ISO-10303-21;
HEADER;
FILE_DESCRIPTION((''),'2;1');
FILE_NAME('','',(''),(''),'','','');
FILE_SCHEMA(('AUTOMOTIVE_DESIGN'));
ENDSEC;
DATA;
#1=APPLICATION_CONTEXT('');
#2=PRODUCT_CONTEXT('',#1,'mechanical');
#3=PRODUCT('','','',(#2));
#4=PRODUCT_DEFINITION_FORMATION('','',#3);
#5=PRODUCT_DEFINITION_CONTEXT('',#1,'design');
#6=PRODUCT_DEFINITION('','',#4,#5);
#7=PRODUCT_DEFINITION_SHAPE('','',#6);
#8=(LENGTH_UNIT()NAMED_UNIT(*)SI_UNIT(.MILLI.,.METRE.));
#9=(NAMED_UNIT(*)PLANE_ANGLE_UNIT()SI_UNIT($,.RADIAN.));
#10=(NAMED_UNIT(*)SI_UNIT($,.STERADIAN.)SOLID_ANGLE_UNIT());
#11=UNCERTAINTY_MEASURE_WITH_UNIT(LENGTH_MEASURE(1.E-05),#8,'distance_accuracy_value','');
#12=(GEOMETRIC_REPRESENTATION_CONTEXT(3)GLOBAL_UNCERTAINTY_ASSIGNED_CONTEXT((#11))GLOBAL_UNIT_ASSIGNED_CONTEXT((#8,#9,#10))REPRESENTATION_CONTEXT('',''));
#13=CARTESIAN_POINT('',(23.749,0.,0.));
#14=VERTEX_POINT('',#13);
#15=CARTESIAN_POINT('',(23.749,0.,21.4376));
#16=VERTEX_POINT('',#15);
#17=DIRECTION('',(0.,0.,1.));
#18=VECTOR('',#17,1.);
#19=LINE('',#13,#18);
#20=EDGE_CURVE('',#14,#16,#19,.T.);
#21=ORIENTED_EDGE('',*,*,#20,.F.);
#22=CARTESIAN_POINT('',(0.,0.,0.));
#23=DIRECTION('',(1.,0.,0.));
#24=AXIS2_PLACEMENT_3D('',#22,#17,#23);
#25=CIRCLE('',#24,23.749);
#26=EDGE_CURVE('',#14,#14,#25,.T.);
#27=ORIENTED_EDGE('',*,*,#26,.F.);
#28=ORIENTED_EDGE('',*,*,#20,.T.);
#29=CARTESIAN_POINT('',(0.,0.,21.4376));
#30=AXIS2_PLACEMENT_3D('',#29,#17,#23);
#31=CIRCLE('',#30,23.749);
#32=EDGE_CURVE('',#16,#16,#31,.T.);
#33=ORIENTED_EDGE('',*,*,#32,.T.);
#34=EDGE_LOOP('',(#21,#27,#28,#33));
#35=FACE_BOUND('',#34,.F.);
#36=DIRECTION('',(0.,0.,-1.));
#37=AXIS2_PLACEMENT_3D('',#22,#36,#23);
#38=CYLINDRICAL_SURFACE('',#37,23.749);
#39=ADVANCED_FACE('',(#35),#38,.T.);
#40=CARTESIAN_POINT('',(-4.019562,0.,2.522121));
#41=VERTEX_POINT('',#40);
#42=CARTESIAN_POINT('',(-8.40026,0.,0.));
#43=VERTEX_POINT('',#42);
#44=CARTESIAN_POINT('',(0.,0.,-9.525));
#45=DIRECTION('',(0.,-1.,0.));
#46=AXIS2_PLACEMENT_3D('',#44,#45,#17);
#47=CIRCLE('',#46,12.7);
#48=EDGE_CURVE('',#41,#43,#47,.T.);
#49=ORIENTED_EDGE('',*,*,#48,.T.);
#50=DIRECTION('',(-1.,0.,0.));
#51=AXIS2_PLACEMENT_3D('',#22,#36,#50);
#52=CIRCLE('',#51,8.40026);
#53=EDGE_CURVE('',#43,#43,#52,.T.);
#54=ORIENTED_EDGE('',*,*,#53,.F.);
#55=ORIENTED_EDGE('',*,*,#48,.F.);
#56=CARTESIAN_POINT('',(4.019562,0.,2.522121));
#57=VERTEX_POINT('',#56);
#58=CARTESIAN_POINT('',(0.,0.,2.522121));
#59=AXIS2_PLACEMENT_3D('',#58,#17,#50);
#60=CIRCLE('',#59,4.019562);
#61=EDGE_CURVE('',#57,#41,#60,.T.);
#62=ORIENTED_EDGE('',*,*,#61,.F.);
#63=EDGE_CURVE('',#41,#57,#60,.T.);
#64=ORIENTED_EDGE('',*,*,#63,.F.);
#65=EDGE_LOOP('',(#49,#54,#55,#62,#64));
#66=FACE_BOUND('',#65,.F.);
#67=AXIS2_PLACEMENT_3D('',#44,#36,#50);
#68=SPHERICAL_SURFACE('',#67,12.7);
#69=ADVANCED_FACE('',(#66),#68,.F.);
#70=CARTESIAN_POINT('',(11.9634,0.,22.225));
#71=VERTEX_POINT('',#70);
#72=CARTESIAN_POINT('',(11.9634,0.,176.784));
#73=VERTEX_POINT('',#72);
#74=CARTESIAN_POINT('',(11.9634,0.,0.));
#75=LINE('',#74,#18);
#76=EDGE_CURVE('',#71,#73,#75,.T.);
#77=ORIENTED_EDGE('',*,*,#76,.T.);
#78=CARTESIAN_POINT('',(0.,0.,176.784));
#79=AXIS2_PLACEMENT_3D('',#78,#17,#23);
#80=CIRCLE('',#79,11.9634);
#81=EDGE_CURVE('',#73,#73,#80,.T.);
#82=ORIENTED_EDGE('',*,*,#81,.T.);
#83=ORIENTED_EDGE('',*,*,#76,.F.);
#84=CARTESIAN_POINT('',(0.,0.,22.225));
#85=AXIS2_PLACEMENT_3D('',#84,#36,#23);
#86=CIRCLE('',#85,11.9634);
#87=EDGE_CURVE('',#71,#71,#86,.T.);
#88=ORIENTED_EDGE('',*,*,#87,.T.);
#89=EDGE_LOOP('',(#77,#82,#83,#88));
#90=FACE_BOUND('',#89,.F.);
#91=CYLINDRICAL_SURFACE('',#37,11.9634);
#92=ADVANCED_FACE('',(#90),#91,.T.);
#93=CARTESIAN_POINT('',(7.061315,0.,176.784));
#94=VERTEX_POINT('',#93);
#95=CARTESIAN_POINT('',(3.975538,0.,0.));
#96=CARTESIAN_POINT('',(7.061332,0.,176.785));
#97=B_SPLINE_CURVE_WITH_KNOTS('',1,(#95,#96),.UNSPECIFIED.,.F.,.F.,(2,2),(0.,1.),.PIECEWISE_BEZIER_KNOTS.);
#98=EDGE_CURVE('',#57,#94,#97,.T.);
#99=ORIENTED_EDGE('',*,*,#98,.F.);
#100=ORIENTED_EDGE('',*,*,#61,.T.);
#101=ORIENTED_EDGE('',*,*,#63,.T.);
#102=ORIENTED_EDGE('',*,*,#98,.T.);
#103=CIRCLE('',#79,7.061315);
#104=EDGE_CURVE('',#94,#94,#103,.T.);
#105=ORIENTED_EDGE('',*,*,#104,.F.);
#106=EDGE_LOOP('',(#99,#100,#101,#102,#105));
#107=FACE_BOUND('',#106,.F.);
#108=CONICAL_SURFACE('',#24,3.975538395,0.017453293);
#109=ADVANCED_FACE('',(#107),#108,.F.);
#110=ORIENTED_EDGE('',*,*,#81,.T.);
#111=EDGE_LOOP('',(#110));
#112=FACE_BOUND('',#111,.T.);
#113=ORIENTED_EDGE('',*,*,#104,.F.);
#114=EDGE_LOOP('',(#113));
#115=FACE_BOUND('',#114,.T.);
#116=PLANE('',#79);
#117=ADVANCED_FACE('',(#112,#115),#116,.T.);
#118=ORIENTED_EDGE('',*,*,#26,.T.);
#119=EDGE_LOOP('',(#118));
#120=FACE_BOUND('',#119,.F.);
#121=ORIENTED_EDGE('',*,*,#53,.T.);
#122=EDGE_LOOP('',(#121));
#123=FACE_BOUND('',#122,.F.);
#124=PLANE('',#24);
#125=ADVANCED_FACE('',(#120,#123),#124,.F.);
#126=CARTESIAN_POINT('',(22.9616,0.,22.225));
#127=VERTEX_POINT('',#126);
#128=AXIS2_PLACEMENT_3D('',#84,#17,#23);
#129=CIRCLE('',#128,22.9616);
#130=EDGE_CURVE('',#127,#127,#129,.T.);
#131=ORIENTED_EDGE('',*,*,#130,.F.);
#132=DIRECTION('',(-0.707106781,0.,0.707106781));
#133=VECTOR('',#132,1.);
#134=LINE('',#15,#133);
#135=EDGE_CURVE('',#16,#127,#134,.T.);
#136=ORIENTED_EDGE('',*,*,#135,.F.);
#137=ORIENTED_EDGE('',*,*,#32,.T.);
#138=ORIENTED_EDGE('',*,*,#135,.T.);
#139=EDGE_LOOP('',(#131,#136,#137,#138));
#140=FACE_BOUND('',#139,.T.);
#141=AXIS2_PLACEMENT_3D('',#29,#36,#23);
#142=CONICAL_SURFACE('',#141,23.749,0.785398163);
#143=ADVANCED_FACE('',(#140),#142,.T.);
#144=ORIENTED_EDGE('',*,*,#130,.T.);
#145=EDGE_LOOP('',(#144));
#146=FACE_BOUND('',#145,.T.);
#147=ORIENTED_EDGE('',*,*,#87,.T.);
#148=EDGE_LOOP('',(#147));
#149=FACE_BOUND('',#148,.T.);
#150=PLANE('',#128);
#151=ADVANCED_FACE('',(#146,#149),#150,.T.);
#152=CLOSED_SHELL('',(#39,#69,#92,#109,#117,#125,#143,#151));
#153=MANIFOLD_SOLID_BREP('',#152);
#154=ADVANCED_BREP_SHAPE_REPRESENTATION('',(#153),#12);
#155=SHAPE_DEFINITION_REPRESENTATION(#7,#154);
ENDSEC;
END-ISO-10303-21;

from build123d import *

# Parameters (mm, degrees)
F0_R     = 23.749
F1_DEPTH = 22.225
F2_R     = 11.9634
F3_DEPTH = 176.784
F4_R     = 3.9755383952
F5_DEPTH = 176.785
F5_TAPER = -1
F8_SIZE  = 0.7874


with BuildPart() as f1:
    # F0 (on Top) → F1 (new body)
    with BuildSketch(Plane.XY):
        Circle(F0_R)
    extrude(amount=F1_DEPTH)

    # F2 (on Top) → F3 (join)
    with BuildSketch(Plane.XY):
        Circle(F2_R)
    extrude(amount=F3_DEPTH)

    # F4 (on Top) → F5 (cut, through all)
    with BuildSketch(Plane.XY):
        Circle(F4_R)
    extrude(amount=F5_DEPTH, taper=F5_TAPER, mode=Mode.SUBTRACT)

    # F6 (on Front) → F7 (revolve, cut)
    with BuildSketch(Plane.XZ):
        with BuildLine():
            Line((0, -9.525), (0, 0))
            Line((0, 0), (0, 3.175))
            ThreePointArc((0, 3.175), (-12.7, -9.525), (0, -22.225))
            Line((0, -22.225), (0, -9.525))
        make_face()
    revolve(axis=Axis((0, 0, -4.7625), (0, 0, -1)), mode=Mode.SUBTRACT)

    # F8
    f8_edges = [f1.edges().sort_by_distance(p)[0] for p in [
        (-23.749, 0, 22.225),
    ]]
    chamfer(f8_edges, length=F8_SIZE)


solid = f1.part
